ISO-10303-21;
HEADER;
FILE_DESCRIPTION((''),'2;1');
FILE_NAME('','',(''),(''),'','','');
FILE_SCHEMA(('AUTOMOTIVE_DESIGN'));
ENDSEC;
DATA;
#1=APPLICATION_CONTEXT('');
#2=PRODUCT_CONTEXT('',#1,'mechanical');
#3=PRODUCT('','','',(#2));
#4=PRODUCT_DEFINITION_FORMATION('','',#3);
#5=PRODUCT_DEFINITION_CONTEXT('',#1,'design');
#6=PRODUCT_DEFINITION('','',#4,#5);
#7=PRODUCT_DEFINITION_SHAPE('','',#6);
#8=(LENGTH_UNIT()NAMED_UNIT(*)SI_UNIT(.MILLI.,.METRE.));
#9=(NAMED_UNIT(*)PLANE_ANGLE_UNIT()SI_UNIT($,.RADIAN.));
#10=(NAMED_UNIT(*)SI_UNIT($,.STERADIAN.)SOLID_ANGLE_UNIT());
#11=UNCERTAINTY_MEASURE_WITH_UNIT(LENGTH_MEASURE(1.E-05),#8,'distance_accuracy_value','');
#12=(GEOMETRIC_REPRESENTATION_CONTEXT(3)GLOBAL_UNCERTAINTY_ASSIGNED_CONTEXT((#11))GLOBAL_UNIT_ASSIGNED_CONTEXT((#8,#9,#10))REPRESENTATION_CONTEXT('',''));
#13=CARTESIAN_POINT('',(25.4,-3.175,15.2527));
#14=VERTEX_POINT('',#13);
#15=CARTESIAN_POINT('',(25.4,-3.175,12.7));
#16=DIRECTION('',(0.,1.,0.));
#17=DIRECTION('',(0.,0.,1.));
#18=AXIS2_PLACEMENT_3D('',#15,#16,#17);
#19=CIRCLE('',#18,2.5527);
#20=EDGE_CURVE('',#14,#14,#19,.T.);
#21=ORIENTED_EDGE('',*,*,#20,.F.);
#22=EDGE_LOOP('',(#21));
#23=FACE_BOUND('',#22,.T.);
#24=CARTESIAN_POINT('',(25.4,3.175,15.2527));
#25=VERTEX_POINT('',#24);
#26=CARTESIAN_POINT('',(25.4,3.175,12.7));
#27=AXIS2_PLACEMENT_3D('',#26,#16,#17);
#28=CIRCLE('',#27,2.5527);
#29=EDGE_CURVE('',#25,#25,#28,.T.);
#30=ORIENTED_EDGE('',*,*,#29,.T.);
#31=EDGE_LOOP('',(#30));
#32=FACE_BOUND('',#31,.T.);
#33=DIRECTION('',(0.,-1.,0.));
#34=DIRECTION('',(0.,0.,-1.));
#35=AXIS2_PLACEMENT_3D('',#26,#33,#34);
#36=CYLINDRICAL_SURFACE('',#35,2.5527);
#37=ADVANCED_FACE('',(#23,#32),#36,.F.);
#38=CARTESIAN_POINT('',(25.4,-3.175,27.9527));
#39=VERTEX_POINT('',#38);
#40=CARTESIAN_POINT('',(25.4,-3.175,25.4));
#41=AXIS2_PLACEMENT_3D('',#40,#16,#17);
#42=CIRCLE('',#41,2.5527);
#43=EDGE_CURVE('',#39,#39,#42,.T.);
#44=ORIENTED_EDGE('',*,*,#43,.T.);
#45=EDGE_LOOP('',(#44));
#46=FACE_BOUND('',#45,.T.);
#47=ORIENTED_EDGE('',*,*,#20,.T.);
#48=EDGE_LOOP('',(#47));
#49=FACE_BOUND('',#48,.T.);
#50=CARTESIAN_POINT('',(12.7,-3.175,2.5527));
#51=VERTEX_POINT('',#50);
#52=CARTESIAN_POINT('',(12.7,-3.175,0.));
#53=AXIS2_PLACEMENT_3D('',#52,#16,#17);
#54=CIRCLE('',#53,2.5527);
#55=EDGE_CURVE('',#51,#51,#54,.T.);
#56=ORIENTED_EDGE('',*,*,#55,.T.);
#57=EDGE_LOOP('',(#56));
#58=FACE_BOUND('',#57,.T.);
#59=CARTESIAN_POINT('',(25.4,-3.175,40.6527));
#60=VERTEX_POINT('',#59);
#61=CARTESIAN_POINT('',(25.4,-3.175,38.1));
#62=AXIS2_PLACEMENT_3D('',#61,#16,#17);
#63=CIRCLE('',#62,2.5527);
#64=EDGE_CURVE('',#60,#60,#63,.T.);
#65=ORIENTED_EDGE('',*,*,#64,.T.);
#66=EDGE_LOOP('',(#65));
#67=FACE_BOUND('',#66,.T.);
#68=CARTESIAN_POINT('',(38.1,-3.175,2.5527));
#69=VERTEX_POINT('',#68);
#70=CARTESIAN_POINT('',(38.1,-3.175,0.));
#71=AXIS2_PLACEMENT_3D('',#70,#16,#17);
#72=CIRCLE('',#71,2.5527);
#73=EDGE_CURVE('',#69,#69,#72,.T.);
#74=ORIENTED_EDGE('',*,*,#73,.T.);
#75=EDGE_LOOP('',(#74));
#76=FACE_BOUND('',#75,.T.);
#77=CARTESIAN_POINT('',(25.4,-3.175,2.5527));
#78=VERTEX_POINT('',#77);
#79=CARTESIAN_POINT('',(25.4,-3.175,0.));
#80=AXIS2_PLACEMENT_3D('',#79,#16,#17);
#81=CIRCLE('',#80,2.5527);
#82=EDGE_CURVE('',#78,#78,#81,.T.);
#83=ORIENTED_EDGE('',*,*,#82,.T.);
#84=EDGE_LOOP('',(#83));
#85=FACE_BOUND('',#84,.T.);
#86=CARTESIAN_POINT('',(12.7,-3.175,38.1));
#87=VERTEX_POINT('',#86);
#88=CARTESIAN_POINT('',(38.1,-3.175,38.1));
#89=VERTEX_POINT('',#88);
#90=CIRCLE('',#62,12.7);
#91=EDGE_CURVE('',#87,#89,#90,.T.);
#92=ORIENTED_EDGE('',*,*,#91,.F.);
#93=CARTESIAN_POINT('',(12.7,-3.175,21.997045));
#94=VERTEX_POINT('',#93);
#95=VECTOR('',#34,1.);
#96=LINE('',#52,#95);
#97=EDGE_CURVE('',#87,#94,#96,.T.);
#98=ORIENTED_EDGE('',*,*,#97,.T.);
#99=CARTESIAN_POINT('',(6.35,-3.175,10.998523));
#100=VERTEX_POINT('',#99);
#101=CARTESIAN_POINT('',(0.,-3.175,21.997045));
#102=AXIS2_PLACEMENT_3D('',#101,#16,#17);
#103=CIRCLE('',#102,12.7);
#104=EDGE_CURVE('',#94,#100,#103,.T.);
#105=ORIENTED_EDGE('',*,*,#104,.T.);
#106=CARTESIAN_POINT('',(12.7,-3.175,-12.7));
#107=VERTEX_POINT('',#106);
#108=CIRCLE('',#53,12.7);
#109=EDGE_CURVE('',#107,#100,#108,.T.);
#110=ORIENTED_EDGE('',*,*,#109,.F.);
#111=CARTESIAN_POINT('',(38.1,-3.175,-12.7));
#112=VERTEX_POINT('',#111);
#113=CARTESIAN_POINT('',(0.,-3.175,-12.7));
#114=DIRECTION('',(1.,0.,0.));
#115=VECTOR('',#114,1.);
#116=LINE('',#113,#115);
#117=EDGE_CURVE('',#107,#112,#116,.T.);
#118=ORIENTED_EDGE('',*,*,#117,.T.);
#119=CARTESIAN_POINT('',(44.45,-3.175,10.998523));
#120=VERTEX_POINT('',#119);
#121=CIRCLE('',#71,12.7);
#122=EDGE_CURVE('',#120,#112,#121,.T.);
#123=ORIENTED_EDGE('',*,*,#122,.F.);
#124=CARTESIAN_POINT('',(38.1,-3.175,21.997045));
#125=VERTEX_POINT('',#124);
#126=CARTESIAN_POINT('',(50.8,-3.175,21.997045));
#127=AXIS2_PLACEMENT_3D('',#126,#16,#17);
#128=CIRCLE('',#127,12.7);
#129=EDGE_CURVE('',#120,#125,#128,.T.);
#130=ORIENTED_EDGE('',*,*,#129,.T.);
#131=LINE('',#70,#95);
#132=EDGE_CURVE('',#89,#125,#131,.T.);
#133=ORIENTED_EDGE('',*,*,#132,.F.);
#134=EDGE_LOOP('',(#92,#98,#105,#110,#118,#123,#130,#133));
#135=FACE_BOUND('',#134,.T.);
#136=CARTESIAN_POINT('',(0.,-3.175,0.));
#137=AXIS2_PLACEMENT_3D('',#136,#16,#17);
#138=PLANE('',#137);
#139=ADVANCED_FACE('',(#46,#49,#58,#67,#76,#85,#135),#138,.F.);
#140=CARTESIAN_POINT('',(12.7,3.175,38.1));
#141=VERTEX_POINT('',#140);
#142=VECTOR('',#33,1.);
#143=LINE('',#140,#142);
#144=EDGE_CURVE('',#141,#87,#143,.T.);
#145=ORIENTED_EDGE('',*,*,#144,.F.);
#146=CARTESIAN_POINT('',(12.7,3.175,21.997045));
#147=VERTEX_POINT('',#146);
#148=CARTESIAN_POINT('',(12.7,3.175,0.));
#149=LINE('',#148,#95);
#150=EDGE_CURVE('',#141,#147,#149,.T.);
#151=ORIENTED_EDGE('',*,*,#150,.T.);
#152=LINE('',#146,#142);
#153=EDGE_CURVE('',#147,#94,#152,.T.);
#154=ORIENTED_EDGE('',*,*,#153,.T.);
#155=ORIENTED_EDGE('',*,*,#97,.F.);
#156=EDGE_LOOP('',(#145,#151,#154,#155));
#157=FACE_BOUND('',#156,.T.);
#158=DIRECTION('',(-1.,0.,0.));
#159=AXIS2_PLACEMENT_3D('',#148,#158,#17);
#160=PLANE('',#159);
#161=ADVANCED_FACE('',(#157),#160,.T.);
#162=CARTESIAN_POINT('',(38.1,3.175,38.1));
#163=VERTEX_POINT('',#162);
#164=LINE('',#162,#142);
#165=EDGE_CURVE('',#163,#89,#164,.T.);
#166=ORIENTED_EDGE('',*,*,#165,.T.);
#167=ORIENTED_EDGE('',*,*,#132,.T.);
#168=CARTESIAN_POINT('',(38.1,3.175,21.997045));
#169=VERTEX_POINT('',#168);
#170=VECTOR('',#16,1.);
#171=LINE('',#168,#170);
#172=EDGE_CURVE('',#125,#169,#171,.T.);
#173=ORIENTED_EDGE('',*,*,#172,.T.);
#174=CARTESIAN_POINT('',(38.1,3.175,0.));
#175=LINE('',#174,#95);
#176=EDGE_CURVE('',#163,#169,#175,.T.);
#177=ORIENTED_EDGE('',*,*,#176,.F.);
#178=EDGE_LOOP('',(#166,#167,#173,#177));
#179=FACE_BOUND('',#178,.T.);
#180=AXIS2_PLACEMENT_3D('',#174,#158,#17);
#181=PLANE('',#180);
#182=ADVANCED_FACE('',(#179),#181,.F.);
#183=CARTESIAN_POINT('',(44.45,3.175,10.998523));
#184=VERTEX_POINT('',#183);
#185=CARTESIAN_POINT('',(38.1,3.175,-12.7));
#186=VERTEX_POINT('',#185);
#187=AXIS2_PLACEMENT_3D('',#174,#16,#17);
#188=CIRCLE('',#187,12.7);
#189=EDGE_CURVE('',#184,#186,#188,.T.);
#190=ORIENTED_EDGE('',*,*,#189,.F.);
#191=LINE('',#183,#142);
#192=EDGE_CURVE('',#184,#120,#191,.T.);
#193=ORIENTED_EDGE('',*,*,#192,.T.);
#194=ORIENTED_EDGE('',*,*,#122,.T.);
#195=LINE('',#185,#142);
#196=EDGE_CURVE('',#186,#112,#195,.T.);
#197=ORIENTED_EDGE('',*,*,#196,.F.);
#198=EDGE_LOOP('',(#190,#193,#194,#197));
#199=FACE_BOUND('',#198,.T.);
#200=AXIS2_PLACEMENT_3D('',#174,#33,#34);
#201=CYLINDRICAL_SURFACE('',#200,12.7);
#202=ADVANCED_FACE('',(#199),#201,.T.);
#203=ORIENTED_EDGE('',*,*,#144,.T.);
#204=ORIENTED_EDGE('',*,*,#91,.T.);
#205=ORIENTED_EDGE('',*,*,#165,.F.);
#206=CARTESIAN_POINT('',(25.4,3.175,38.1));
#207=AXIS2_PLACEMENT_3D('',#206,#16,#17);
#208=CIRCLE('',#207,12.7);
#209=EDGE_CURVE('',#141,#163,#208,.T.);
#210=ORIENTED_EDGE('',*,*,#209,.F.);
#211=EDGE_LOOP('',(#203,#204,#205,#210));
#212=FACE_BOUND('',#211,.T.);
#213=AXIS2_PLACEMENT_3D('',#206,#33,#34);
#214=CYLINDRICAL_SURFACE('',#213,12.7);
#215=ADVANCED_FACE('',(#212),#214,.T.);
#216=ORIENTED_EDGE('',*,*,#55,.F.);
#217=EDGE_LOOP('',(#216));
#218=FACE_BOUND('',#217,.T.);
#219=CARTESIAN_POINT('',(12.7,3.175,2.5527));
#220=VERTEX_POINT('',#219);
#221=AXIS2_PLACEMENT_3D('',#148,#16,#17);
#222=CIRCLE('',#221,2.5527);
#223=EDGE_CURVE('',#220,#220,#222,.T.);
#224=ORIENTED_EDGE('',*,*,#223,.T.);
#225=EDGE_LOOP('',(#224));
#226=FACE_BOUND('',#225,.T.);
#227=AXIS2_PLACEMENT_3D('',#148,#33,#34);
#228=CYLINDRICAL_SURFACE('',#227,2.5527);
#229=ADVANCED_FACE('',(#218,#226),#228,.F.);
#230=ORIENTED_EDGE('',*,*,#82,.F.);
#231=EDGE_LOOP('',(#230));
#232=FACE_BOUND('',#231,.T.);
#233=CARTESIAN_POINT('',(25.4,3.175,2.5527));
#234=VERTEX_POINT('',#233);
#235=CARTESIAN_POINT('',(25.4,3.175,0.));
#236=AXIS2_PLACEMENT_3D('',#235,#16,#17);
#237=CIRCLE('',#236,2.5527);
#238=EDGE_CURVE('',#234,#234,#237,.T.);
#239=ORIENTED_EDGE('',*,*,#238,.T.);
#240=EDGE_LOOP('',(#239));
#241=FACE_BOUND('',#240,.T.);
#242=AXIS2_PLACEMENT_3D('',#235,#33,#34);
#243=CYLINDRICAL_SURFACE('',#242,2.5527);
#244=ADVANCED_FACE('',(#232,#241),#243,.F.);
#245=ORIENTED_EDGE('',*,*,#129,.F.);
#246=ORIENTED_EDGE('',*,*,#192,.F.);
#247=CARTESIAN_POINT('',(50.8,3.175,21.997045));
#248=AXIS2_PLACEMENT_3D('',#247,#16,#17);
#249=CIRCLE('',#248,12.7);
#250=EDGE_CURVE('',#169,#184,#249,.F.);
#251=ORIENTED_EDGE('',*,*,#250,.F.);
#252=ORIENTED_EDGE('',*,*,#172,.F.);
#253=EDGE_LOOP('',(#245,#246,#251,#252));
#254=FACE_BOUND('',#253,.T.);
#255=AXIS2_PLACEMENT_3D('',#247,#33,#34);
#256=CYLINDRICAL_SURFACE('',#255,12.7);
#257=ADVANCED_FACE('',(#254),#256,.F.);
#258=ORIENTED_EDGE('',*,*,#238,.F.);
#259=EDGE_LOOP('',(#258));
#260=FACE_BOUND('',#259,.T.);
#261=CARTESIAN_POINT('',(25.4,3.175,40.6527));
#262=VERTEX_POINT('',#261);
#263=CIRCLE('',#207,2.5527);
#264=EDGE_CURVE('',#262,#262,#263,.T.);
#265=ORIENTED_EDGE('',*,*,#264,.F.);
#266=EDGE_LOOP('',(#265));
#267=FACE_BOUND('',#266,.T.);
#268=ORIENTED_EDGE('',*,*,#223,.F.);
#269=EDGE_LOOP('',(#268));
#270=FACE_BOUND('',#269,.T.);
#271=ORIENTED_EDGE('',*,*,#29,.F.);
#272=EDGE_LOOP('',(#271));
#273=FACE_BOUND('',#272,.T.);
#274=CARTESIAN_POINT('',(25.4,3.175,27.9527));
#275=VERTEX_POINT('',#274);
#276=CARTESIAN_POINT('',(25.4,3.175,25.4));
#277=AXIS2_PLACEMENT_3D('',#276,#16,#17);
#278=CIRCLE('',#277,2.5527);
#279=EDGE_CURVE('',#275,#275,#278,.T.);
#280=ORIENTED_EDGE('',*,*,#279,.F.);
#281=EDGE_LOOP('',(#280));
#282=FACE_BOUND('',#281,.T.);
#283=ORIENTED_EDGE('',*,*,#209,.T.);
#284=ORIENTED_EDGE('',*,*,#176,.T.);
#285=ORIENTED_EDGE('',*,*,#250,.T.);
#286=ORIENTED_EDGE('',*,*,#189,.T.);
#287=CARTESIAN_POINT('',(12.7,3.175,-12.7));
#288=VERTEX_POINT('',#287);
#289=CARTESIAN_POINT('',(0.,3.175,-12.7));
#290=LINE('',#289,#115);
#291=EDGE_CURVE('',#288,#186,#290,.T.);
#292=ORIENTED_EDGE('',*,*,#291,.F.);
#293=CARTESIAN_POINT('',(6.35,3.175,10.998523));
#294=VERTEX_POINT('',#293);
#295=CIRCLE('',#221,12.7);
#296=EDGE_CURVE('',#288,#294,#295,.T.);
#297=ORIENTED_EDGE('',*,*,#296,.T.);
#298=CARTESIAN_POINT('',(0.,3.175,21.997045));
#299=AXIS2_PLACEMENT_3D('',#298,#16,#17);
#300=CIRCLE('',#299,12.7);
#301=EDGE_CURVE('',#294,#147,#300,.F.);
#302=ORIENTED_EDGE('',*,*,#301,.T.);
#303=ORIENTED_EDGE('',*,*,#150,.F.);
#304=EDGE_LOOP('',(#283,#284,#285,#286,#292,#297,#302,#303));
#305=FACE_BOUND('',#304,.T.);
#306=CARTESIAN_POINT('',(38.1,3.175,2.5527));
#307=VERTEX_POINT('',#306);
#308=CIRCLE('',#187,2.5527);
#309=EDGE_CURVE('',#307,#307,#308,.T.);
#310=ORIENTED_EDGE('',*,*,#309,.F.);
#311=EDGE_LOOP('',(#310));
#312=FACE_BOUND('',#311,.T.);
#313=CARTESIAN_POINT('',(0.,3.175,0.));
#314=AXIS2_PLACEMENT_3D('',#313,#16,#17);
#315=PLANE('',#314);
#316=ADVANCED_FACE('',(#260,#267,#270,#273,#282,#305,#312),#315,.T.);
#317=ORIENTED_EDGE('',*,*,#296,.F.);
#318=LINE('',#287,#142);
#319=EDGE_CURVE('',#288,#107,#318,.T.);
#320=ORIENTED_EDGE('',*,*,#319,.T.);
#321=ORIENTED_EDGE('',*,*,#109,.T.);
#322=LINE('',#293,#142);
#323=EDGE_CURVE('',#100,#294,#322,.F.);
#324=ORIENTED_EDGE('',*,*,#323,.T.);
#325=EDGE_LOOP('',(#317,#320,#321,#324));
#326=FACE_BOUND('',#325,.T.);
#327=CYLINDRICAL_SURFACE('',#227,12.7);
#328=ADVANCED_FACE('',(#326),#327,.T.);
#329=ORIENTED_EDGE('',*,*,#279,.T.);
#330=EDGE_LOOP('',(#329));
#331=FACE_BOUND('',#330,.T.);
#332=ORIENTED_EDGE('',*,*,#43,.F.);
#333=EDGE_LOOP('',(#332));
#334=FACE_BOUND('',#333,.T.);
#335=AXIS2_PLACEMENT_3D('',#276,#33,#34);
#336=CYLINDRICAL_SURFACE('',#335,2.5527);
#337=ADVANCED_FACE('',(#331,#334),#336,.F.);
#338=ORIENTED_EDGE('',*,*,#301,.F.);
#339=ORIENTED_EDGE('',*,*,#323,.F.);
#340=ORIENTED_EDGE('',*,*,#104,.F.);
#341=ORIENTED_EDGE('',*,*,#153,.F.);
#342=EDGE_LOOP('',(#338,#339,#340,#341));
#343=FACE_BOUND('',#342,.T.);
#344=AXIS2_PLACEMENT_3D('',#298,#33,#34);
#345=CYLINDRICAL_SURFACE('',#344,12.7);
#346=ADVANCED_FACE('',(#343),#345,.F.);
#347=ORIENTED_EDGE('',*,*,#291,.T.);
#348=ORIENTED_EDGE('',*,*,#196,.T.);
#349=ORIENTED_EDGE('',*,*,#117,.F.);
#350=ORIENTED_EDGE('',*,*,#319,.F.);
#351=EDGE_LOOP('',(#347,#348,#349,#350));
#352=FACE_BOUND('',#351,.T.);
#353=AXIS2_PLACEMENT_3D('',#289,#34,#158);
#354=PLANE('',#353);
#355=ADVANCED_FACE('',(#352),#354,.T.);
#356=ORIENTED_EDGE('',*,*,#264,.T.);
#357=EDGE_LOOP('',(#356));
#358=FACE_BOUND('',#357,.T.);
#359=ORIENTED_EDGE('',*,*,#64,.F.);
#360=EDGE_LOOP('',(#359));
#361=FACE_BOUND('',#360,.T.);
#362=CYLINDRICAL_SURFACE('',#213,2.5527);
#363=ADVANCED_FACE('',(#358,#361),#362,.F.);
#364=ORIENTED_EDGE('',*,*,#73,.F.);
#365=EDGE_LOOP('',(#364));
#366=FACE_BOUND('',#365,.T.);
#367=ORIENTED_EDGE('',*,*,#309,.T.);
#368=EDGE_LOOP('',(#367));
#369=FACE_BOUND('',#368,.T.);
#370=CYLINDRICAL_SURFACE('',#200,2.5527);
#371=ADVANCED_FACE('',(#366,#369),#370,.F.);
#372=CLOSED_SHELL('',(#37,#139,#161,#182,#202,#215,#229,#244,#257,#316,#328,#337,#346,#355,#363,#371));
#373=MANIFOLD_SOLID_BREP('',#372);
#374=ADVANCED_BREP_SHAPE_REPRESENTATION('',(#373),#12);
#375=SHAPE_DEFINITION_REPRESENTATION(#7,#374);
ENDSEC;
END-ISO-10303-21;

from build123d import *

# Parameters (mm, degrees)
SKETCH1_R           = 2.5527
BOSS_EXTRUDE1_DEPTH = 3.175
FILLET1_R           = 12.7


with BuildPart() as part:
    # Sketch1 → Boss-Extrude1 (new, symmetric)
    with BuildSketch(Plane(origin=(0, 0, 0), x_dir=(1, 0, 0), z_dir=(0, 1, 0))):
        with BuildLine():
            ThreePointArc((12.7, 12.7), (0, 0), (12.7, -12.7))
            Line((12.7, -12.7), (12.7, -38.1))
            ThreePointArc((12.7, -38.1), (25.4, -50.8), (38.1, -38.1))
            Line((38.1, -38.1), (38.1, -12.7))
            ThreePointArc((38.1, -12.7), (50.8, 0), (38.1, 12.7))
            Line((38.1, 12.7), (12.7, 12.7))
        make_face()
        with Locations(Location((25.4, -12.7, 0), (0, 0, 270))):
            Circle(SKETCH1_R, mode=Mode.SUBTRACT)
        with Locations(Location((12.7, 0, 0), (0, 0, 270))):
            Circle(SKETCH1_R, mode=Mode.SUBTRACT)
        with Locations(Location((38.1, 0, 0), (0, 0, 270))):
            Circle(SKETCH1_R, mode=Mode.SUBTRACT)
        with Locations(Location((25.4, 0, 0), (0, 0, 270))):
            Circle(SKETCH1_R, mode=Mode.SUBTRACT)
        with Locations(Location((25.4, -25.4, 0), (0, 0, 270))):
            Circle(SKETCH1_R, mode=Mode.SUBTRACT)
        with Locations(Location((25.4, -38.1, 0), (0, 0, 270))):
            Circle(SKETCH1_R, mode=Mode.SUBTRACT)
    extrude(amount=BOSS_EXTRUDE1_DEPTH, both=True)

    # Fillet1
    fillet1_edges = [part.edges().sort_by_distance(p)[0] for p in [
        (38.1, 0, 12.7),
        (12.7, 0, 12.7),
    ]]
    fillet(fillet1_edges, radius=FILLET1_R)


solid = part.part
